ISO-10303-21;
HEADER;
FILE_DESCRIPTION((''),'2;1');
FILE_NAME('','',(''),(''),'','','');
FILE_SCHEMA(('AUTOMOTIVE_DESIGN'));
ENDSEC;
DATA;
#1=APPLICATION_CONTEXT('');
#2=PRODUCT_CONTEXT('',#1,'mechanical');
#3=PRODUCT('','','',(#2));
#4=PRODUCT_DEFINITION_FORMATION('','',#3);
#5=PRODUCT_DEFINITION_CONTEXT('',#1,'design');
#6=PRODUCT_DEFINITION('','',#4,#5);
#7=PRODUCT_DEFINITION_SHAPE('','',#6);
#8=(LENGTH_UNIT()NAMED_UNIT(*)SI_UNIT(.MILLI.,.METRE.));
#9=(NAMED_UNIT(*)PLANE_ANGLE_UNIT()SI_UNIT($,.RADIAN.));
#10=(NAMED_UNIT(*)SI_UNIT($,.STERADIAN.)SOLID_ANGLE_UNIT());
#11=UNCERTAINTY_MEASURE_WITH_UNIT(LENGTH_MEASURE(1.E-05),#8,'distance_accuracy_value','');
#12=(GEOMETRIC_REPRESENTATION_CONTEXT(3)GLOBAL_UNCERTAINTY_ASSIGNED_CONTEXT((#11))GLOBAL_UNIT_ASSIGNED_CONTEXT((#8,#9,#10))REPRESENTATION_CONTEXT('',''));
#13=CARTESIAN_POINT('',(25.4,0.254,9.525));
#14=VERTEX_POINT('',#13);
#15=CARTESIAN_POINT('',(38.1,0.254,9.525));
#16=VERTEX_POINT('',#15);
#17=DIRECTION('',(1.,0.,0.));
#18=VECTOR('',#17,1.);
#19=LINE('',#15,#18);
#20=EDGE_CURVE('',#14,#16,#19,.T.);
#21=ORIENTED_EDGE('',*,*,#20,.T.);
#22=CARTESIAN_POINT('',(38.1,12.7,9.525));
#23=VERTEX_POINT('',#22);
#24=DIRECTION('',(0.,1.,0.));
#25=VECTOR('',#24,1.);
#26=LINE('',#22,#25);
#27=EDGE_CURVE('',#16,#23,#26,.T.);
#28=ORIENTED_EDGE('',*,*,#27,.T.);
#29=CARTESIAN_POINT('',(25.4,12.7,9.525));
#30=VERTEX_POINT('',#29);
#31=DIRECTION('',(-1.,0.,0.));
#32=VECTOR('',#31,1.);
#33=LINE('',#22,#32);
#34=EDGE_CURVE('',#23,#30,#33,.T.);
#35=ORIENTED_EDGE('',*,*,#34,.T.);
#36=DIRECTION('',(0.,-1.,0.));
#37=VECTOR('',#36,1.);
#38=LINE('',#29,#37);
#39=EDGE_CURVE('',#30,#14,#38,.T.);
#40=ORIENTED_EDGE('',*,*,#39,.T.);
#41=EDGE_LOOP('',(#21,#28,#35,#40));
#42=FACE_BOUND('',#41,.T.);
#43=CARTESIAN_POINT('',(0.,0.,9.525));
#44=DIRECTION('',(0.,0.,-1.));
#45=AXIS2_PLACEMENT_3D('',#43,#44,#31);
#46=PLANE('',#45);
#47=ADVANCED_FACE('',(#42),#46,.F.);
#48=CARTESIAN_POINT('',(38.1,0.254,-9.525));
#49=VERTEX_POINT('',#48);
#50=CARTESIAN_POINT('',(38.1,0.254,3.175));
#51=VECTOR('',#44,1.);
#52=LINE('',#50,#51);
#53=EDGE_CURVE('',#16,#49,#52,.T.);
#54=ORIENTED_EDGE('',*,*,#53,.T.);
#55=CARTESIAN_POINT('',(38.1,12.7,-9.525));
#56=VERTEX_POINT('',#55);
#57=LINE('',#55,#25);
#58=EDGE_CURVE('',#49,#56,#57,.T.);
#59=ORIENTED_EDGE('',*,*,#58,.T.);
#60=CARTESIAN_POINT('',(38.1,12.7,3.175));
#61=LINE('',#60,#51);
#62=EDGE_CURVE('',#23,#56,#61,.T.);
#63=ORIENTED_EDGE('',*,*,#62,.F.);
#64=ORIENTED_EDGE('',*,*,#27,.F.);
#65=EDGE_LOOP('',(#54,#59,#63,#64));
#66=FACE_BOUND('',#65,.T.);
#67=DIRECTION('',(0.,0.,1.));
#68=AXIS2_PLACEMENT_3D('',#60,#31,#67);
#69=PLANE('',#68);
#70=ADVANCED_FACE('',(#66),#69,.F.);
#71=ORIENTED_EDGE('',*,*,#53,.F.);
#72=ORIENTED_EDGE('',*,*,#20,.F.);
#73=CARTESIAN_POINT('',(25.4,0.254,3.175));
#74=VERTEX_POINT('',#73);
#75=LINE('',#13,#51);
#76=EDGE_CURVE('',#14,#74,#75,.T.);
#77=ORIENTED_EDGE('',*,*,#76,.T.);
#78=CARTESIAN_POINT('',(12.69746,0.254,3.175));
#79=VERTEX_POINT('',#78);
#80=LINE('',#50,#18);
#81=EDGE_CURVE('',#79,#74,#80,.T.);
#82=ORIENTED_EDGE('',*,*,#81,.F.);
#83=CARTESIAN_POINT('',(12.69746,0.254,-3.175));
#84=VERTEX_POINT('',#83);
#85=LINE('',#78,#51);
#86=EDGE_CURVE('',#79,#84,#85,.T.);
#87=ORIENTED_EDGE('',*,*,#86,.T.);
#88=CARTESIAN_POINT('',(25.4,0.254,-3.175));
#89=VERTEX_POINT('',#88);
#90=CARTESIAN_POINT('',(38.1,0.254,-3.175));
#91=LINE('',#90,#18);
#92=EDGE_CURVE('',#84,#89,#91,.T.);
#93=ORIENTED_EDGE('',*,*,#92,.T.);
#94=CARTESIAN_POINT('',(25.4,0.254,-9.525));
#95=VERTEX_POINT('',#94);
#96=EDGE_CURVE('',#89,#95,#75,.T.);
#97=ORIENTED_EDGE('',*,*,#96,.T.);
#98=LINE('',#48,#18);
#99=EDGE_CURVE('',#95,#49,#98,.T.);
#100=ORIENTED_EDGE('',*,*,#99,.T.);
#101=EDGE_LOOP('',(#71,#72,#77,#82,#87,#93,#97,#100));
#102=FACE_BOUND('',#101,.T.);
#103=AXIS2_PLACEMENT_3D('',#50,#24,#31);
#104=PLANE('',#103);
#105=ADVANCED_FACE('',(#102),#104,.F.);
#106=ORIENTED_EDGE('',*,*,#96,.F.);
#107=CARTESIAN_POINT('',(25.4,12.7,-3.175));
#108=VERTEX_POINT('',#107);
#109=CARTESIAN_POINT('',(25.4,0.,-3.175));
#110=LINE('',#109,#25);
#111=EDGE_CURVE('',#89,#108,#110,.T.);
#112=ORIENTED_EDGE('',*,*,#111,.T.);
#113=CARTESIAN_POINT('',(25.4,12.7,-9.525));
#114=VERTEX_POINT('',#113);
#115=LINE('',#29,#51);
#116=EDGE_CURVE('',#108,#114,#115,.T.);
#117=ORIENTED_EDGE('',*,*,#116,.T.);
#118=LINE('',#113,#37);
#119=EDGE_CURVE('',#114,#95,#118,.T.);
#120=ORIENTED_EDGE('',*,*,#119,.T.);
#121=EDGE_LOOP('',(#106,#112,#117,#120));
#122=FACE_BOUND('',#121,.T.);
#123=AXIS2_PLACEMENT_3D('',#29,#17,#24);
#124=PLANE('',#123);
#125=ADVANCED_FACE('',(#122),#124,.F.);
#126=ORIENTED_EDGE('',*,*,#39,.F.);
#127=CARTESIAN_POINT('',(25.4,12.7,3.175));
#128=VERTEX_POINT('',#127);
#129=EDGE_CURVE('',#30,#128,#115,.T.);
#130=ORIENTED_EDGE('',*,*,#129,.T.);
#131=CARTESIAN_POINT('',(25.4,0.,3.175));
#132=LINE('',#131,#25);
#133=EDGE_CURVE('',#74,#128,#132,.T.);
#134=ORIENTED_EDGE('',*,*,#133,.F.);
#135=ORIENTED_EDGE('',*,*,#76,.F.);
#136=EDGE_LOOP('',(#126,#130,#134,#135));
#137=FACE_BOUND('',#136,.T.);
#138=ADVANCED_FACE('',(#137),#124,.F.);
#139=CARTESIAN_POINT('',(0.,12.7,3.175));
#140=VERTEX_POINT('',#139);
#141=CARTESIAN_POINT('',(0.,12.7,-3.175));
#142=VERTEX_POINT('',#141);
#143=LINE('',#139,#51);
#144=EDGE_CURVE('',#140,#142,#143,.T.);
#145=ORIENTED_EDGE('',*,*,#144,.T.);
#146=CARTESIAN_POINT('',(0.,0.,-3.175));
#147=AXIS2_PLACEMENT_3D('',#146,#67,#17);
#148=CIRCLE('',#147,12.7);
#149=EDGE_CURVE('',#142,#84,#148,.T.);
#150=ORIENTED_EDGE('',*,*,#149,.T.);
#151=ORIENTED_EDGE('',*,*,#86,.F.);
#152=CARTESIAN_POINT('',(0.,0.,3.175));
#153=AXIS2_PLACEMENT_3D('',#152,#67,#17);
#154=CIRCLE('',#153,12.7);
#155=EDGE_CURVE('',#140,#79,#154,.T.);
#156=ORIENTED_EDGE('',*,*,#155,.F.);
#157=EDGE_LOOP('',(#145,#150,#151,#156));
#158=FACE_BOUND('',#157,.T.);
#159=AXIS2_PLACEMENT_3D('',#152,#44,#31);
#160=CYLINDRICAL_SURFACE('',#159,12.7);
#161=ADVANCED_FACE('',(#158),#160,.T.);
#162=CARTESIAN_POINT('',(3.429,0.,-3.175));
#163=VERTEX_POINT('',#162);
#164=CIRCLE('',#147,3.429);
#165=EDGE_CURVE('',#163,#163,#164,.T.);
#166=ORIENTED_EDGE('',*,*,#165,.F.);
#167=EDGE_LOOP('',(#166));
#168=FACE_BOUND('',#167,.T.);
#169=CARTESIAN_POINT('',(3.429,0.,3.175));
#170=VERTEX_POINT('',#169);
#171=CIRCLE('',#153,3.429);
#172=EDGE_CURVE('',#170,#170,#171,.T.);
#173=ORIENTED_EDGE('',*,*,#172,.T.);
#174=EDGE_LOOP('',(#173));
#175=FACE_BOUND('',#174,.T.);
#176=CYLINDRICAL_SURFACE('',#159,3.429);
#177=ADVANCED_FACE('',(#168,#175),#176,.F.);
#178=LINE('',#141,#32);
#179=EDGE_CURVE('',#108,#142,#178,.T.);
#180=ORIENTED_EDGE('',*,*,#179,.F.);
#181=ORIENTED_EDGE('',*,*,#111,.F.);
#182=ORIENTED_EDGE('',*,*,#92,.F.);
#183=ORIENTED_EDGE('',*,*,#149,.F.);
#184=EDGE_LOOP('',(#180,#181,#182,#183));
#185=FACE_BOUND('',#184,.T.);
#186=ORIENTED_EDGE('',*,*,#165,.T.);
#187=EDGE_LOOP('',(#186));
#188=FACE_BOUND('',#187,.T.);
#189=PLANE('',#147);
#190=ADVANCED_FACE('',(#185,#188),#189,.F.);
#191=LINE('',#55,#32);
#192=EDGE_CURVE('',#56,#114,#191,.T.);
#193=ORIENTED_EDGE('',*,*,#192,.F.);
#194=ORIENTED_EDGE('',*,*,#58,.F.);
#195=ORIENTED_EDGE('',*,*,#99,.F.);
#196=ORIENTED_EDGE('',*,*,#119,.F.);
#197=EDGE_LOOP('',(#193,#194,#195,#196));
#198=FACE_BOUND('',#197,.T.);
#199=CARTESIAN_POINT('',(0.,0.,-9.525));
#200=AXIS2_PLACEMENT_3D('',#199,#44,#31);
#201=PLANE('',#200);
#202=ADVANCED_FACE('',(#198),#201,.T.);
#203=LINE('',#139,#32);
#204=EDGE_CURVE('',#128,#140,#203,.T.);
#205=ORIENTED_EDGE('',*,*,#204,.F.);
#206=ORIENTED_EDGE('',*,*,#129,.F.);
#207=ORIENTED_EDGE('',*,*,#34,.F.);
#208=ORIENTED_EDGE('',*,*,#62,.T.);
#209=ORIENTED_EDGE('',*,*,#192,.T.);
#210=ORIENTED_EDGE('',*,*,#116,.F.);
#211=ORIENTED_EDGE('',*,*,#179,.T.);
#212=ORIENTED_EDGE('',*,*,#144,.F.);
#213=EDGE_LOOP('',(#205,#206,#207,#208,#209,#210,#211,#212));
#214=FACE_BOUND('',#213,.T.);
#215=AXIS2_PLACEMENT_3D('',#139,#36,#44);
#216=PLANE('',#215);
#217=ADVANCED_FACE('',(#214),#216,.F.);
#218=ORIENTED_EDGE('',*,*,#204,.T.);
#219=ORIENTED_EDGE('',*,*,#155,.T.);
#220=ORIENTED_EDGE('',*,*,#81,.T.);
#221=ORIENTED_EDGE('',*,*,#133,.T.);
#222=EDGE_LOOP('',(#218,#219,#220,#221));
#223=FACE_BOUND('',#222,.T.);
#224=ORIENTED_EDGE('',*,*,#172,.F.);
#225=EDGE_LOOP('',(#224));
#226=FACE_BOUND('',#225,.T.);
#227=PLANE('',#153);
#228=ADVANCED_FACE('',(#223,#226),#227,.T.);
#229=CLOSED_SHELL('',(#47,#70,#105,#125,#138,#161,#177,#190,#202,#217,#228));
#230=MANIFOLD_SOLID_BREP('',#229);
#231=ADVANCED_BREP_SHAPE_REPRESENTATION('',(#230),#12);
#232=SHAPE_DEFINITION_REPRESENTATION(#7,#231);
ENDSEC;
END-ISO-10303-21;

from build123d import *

# Parameters (mm, degrees)
SKETCH1_R           = 3.429
BOSS_EXTRUDE1_DEPTH = 3.175
SKETCH2_W           = 12.7
SKETCH2_H           = 12.446
BOSS_EXTRUDE2_DEPTH = 9.525


with BuildPart() as part:
    # Sketch1 → Boss-Extrude1 (new body, symmetric)
    with BuildSketch(Plane.XY):
        with BuildLine():
            Line((0, 12.7), (38.1, 12.7))
            Line((38.1, 12.7), (38.1, 0.254))
            Line((38.1, 0.254), (12.697459746, 0.254))
            ThreePointArc((12.697459746, 0.254), (-8.89, -9.069614104), (0, 12.7))
        make_face()
        Circle(SKETCH1_R, mode=Mode.SUBTRACT)
    extrude(amount=BOSS_EXTRUDE1_DEPTH, both=True)

    # Sketch2 → Boss-Extrude2 (add, symmetric)
    with BuildSketch(Plane.XY):
        with Locations((31.75, 6.477)):
            Rectangle(SKETCH2_W, SKETCH2_H)
    extrude(amount=BOSS_EXTRUDE2_DEPTH, both=True)


solid = part.part
